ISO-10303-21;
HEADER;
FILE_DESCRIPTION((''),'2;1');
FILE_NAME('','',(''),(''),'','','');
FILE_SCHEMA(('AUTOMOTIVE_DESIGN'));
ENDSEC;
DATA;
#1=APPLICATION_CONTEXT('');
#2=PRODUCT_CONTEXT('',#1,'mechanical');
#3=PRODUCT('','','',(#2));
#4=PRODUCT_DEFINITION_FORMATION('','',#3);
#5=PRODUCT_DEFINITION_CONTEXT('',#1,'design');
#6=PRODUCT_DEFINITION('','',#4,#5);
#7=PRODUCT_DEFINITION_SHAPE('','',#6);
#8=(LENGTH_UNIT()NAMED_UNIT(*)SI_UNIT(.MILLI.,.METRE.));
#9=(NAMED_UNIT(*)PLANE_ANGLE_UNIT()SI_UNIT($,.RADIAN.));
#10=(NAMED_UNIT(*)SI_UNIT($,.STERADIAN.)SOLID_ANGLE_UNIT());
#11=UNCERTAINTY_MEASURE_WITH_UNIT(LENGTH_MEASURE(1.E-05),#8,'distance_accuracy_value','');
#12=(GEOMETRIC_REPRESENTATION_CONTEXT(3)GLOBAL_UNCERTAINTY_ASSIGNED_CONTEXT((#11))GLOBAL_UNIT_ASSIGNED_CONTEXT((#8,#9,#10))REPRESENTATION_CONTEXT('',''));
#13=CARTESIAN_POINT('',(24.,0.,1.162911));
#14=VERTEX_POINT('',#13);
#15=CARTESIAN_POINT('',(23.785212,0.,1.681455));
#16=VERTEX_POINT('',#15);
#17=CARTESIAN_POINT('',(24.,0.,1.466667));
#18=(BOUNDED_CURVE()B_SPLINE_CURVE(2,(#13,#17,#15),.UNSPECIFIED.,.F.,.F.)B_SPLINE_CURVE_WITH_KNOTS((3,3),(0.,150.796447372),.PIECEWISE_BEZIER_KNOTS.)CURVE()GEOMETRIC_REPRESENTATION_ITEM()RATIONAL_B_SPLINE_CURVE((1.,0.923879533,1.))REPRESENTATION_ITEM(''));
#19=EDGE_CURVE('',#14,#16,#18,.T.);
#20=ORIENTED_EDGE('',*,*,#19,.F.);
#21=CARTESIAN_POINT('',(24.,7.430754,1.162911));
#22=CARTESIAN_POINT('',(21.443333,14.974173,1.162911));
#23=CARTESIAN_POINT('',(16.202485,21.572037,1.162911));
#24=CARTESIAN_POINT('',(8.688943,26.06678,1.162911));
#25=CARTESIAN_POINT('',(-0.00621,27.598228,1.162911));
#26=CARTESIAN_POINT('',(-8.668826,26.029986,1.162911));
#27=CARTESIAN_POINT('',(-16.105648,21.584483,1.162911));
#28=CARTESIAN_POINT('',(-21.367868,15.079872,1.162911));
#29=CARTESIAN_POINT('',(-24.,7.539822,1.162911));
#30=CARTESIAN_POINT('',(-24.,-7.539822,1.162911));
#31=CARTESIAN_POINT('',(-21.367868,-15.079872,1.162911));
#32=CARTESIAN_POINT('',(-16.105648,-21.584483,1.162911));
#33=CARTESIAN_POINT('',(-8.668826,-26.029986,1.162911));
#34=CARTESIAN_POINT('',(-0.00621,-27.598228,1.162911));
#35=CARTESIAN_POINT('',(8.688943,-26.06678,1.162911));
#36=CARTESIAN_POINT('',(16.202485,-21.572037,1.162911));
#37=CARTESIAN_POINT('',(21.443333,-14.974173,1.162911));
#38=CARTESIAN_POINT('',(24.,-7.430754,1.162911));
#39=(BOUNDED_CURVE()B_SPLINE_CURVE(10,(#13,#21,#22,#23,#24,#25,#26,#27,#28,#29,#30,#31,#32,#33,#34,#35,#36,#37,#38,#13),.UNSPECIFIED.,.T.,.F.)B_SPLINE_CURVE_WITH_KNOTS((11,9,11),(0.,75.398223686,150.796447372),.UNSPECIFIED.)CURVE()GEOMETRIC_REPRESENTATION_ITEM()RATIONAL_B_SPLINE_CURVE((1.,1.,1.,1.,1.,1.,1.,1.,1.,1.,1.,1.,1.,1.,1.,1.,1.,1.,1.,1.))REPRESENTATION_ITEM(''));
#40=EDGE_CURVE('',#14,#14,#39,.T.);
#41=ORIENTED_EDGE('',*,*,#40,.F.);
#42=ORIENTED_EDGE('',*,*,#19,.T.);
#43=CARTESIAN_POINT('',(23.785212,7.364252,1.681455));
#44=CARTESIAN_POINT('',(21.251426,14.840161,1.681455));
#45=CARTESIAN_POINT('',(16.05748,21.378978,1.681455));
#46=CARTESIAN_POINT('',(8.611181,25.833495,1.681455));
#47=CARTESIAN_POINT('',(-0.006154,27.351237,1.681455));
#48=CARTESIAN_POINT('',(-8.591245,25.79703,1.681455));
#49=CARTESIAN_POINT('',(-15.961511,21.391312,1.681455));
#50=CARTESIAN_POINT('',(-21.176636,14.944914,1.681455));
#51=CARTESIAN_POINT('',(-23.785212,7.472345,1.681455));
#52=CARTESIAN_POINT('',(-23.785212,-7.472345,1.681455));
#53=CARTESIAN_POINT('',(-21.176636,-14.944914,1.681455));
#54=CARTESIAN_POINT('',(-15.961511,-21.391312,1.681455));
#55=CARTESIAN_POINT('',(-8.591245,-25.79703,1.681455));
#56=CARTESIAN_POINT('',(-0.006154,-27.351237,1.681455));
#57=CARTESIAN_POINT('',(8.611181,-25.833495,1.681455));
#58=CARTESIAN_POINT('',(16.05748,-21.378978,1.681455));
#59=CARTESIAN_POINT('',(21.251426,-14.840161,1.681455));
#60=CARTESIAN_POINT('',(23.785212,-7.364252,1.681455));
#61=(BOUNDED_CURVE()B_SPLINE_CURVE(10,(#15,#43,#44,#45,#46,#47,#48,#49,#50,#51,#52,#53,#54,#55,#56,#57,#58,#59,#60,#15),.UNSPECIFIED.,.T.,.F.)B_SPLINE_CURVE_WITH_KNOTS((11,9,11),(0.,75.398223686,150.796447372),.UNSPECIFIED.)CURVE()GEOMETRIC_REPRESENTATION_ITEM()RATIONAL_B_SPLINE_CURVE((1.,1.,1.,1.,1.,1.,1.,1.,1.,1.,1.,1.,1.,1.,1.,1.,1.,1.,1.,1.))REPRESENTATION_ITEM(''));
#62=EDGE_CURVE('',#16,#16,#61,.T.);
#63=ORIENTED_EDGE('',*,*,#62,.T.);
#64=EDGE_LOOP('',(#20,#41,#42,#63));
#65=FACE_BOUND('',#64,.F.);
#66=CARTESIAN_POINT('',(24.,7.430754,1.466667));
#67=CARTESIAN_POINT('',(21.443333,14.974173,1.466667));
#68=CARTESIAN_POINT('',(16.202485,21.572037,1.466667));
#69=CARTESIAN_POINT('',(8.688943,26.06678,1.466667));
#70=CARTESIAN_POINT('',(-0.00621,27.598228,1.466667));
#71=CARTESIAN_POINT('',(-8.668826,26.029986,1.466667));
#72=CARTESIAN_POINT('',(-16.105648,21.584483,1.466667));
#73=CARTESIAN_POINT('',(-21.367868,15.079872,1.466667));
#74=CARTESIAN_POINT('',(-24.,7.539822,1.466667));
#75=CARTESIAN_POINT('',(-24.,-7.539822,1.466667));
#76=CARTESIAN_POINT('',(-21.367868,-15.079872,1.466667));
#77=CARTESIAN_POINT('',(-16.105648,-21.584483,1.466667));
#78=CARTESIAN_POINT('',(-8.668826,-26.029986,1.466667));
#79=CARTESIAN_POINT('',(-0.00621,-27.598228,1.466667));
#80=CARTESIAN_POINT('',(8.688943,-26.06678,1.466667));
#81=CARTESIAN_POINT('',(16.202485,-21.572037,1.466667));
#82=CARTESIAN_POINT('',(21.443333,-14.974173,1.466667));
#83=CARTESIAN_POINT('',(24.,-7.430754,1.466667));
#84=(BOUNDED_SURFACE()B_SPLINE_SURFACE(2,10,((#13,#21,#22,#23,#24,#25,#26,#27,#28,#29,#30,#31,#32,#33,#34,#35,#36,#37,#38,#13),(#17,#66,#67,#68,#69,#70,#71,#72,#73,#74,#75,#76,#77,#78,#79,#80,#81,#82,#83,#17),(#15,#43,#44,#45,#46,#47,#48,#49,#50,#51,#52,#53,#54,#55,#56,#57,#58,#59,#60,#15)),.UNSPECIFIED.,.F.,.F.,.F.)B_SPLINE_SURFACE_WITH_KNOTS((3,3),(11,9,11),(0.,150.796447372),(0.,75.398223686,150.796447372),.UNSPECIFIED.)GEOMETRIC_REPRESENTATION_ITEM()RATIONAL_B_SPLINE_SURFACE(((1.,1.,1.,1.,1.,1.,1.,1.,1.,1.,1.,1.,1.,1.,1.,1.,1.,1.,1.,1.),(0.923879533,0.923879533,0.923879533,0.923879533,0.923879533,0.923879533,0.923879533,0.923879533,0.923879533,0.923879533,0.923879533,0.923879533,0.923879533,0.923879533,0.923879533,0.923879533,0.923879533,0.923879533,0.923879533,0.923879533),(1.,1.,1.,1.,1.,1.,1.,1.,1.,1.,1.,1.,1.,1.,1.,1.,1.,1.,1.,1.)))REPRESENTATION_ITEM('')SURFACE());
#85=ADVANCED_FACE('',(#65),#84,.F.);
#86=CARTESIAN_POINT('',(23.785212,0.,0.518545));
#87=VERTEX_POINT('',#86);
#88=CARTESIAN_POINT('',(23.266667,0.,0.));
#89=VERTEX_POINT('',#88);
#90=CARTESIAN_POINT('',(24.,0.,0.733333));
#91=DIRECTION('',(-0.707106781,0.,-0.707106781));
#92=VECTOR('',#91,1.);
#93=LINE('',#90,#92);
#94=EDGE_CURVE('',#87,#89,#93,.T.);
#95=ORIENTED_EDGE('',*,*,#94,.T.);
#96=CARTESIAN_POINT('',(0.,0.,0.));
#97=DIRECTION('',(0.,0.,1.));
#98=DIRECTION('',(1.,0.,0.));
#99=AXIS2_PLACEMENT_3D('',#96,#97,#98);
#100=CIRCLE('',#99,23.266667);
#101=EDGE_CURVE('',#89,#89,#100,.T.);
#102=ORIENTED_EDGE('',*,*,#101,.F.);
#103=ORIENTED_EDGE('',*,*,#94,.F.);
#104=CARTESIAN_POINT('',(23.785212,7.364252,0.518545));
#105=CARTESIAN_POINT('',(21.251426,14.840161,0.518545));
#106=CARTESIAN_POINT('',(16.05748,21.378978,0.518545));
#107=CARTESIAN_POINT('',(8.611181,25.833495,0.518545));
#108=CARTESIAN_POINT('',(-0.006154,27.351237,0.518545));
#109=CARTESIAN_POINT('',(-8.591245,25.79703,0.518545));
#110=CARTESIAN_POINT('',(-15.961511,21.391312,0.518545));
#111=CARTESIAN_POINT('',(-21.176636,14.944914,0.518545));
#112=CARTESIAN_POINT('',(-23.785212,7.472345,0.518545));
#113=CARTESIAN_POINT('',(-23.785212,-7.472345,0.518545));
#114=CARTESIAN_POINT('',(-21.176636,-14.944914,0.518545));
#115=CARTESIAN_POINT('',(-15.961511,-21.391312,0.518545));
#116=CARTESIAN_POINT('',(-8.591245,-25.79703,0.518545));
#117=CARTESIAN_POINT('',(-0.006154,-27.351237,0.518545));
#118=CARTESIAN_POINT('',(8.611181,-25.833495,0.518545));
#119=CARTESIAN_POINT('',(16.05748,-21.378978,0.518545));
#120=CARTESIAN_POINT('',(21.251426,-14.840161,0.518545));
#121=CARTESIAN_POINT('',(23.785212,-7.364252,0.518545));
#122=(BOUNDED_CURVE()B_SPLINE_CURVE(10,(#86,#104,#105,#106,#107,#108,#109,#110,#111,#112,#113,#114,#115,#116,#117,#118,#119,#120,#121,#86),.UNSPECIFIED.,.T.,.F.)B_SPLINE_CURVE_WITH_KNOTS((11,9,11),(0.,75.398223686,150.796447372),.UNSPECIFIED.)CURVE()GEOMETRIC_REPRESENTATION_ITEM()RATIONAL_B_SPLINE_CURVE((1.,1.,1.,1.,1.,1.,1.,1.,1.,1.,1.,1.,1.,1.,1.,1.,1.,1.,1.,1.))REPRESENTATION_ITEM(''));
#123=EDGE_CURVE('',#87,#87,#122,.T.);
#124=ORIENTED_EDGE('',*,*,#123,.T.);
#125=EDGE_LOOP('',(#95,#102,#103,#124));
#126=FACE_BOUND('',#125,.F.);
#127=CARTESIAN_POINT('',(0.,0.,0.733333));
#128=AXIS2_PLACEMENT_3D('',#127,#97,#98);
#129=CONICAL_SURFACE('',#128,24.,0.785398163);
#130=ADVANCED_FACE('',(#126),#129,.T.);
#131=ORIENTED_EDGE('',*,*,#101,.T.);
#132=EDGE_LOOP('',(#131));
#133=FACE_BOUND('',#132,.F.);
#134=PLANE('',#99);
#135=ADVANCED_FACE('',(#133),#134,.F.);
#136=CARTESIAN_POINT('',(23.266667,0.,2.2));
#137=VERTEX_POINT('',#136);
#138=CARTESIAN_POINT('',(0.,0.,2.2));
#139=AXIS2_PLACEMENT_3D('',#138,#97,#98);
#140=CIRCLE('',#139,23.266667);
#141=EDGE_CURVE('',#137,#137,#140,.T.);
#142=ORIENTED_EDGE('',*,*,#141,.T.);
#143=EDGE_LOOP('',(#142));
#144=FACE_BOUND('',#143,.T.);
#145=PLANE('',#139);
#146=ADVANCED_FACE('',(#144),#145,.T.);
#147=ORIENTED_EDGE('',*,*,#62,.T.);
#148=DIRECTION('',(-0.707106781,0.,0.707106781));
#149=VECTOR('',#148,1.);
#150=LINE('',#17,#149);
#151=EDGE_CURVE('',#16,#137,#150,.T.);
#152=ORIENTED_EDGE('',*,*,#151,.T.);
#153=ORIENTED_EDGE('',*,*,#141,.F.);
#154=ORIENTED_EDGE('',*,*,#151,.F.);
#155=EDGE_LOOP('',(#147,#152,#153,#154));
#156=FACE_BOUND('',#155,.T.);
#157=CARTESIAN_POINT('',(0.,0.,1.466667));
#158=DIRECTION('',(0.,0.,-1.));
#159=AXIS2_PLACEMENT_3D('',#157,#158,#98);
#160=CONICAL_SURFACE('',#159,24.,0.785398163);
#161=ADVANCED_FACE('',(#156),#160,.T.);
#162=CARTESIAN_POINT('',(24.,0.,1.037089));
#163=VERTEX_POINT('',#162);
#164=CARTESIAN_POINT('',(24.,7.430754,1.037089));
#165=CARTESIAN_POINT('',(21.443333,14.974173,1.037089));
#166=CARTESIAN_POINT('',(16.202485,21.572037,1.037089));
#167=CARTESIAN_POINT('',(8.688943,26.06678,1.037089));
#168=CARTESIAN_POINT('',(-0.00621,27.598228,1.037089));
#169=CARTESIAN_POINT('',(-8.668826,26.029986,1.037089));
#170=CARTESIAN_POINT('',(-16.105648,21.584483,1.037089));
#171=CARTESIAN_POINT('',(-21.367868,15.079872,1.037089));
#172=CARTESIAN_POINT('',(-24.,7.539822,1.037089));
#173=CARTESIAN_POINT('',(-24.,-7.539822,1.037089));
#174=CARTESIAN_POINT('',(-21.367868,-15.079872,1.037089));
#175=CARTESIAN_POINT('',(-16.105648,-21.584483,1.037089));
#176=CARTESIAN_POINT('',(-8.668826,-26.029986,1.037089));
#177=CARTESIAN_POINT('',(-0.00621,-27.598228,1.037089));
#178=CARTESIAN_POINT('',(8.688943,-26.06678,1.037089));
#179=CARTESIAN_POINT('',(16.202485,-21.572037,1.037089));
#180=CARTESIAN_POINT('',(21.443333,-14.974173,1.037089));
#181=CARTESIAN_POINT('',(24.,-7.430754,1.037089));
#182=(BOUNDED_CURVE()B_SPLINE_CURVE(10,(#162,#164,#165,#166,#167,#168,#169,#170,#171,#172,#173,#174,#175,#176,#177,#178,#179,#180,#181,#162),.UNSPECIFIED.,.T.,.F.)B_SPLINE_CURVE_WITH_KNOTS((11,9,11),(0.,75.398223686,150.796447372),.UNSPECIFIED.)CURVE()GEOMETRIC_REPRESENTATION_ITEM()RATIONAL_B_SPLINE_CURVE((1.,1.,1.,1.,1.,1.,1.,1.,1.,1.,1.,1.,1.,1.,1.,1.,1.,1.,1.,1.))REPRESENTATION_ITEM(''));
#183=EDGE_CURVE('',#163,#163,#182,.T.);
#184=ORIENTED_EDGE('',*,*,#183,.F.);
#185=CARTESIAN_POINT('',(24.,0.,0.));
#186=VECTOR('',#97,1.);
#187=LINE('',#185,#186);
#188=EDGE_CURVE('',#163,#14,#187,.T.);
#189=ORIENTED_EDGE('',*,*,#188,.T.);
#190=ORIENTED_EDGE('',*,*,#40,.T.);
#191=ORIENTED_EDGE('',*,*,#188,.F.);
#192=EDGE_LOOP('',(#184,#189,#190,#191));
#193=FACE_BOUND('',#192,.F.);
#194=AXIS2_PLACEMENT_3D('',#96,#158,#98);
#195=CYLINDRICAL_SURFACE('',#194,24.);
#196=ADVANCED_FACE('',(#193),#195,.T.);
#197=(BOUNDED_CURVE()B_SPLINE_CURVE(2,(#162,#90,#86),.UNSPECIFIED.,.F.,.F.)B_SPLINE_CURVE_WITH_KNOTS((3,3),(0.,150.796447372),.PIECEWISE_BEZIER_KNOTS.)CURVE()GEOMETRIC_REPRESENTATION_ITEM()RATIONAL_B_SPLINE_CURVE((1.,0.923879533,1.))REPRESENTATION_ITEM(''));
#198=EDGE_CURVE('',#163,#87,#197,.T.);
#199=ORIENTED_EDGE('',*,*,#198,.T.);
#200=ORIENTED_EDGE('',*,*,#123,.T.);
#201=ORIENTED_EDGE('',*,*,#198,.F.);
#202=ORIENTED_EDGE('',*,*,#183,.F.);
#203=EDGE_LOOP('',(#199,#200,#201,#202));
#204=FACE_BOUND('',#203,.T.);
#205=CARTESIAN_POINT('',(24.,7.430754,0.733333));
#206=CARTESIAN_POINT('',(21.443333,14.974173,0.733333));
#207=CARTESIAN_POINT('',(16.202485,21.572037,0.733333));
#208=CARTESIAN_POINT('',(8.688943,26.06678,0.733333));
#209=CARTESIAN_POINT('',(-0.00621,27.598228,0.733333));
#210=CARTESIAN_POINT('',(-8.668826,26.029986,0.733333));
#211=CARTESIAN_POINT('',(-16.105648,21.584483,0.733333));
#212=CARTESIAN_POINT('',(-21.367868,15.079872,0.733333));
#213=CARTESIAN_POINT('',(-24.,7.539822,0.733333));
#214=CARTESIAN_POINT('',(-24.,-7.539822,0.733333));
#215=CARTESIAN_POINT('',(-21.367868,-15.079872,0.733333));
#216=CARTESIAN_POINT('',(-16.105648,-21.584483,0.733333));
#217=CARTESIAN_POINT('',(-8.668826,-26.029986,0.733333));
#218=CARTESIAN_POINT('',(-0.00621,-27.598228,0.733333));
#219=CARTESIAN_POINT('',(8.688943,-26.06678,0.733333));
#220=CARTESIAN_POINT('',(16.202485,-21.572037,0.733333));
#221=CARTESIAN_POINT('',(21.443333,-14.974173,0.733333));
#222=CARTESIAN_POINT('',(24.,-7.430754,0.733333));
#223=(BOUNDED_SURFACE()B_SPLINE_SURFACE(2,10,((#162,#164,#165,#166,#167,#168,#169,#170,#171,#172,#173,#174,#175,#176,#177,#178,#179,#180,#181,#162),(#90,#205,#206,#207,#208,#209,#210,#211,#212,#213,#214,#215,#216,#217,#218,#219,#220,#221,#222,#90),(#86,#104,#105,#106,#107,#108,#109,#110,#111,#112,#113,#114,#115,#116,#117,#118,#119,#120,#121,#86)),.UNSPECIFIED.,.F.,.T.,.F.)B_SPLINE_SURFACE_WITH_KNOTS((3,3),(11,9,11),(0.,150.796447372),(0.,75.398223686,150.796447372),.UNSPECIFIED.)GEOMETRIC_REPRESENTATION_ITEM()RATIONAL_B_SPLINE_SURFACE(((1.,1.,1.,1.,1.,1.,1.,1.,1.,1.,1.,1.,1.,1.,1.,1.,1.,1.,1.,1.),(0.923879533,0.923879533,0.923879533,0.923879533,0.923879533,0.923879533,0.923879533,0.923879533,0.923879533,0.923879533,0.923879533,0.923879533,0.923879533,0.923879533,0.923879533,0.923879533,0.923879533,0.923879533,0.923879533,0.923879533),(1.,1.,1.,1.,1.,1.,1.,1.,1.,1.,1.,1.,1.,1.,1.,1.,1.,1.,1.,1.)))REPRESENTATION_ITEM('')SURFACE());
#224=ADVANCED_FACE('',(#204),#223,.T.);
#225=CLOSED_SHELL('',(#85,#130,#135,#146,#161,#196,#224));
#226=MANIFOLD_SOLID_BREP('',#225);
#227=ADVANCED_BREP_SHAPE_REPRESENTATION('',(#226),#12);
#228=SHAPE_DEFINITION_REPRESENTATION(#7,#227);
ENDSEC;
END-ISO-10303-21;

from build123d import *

# Parameters (mm, degrees)
SKETCH_R     = 24
PAD_DEPTH    = 2.2
CHAMFER_SIZE = 0.733333
FILLET_R     = 0.733333


with BuildPart() as part:
    # Sketch → Pad (new body)
    with BuildSketch(Plane.XY):
        Circle(SKETCH_R)
    extrude(amount=PAD_DEPTH)

    # Chamfer
    chamfer_edges = [part.edges().sort_by_distance(p)[0] for p in [
        (24, 0, 1.1),
        (-24, 0, 0),
        (-24, 0, 2.2),
    ]]
    chamfer(chamfer_edges, length=CHAMFER_SIZE)

    # Fillet
    fillet_edges = [part.edges().sort_by_distance(p)[0] for p in [
        (24, 0, 1.1),
        (-24, 0, 0.733333),
        (-24, 0, 1.466667),
    ]]
    fillet(fillet_edges, radius=FILLET_R)


solid = part.part
